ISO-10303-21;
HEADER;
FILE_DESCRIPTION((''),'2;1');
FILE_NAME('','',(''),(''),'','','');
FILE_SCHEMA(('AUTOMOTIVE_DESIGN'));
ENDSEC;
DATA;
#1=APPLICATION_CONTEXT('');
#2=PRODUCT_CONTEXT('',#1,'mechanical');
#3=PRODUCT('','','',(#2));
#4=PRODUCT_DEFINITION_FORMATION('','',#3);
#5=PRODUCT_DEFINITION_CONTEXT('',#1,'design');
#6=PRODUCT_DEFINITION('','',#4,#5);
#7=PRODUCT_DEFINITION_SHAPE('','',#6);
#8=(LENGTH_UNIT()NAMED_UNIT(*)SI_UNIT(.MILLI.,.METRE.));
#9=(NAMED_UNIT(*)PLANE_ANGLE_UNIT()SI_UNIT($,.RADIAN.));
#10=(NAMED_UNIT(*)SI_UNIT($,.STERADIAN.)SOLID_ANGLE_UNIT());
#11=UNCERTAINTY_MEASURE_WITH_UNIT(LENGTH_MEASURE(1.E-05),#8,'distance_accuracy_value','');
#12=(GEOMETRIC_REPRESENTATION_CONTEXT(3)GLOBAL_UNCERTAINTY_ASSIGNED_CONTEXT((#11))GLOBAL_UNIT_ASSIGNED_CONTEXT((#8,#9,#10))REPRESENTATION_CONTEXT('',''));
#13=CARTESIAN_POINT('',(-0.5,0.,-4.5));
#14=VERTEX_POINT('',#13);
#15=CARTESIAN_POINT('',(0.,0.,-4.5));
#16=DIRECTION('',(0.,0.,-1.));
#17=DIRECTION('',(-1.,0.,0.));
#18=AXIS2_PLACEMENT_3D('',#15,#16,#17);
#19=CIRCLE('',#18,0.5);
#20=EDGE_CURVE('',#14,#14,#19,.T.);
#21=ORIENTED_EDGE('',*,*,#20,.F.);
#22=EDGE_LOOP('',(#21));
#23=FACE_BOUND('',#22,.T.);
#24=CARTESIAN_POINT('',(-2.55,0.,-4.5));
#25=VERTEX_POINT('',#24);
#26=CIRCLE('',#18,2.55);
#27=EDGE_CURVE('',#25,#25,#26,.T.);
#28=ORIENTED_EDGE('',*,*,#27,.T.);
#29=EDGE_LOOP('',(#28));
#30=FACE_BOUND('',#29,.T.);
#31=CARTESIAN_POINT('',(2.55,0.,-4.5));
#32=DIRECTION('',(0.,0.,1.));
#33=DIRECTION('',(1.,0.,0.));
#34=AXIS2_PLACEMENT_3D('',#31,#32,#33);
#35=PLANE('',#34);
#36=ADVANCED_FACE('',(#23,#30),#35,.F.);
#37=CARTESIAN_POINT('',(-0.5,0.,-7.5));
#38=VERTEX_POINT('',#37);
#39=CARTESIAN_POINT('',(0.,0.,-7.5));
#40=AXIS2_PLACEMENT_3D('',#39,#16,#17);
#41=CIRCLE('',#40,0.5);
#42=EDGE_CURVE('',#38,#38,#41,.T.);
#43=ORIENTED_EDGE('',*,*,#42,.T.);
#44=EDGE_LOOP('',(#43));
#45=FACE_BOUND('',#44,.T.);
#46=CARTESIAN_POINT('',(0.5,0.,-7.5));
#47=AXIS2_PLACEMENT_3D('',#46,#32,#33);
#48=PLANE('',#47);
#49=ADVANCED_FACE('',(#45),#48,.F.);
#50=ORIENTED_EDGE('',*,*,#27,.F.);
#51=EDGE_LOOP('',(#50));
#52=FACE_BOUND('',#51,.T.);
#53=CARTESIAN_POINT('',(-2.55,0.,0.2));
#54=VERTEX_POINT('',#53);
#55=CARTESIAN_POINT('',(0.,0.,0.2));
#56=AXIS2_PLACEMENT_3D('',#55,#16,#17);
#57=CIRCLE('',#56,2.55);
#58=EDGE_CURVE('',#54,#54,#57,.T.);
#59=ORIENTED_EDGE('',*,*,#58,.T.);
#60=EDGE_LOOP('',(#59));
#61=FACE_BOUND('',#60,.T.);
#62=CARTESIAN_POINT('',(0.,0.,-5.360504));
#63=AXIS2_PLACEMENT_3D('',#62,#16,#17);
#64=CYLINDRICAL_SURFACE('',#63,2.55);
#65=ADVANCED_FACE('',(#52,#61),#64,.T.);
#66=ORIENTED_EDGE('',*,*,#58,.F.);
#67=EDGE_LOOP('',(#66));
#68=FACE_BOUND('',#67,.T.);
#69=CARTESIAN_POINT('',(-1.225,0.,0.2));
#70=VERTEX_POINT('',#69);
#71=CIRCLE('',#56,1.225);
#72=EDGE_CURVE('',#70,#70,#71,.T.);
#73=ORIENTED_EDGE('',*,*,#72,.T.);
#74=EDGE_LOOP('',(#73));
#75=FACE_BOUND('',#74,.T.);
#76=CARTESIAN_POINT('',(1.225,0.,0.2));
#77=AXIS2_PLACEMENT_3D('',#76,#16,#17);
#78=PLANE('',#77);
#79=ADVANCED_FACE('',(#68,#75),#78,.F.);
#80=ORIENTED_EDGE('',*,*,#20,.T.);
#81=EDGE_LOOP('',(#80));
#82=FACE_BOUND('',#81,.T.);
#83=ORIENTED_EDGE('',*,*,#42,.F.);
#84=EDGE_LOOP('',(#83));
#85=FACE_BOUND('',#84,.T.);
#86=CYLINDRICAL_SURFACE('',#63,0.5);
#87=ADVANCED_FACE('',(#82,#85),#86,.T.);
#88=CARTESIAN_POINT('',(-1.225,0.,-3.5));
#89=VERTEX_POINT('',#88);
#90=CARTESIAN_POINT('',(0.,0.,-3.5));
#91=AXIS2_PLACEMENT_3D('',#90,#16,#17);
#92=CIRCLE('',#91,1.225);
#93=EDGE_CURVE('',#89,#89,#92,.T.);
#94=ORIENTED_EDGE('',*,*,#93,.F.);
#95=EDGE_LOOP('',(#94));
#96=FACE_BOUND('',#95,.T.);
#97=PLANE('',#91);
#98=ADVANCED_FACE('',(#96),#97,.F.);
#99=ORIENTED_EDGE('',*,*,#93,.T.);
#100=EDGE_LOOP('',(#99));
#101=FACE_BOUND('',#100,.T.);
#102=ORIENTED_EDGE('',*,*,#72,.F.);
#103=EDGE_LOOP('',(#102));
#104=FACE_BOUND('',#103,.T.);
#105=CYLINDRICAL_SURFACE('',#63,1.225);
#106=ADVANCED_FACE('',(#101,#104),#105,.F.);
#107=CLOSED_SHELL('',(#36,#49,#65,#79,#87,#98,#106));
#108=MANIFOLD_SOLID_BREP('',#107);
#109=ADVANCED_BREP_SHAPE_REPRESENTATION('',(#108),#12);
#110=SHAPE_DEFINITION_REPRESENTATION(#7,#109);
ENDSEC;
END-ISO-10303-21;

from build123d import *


with BuildPart() as part:
    # Sketch2 → Revolve1 (revolve)
    with BuildSketch(Plane(origin=(0, 0, 0), x_dir=(1, 0, 0), z_dir=(0, 1, 0)), mode=Mode.PRIVATE) as revolve1_sk:
        Polygon((1.225, -0.2), (2.55, -0.2), (2.55, 4.5), (0.5, 4.5), (0.5, 7.5), (0, 7.5), (0, 3.5), (1.225, 3.5), align=None)
    revolve(revolve1_sk.sketch.rotate(Axis((0, 0, -5.360503964), (0, 0, 1)), 180), axis=Axis((0, 0, -5.360503964), (0, 0, 1)))


solid = part.part
